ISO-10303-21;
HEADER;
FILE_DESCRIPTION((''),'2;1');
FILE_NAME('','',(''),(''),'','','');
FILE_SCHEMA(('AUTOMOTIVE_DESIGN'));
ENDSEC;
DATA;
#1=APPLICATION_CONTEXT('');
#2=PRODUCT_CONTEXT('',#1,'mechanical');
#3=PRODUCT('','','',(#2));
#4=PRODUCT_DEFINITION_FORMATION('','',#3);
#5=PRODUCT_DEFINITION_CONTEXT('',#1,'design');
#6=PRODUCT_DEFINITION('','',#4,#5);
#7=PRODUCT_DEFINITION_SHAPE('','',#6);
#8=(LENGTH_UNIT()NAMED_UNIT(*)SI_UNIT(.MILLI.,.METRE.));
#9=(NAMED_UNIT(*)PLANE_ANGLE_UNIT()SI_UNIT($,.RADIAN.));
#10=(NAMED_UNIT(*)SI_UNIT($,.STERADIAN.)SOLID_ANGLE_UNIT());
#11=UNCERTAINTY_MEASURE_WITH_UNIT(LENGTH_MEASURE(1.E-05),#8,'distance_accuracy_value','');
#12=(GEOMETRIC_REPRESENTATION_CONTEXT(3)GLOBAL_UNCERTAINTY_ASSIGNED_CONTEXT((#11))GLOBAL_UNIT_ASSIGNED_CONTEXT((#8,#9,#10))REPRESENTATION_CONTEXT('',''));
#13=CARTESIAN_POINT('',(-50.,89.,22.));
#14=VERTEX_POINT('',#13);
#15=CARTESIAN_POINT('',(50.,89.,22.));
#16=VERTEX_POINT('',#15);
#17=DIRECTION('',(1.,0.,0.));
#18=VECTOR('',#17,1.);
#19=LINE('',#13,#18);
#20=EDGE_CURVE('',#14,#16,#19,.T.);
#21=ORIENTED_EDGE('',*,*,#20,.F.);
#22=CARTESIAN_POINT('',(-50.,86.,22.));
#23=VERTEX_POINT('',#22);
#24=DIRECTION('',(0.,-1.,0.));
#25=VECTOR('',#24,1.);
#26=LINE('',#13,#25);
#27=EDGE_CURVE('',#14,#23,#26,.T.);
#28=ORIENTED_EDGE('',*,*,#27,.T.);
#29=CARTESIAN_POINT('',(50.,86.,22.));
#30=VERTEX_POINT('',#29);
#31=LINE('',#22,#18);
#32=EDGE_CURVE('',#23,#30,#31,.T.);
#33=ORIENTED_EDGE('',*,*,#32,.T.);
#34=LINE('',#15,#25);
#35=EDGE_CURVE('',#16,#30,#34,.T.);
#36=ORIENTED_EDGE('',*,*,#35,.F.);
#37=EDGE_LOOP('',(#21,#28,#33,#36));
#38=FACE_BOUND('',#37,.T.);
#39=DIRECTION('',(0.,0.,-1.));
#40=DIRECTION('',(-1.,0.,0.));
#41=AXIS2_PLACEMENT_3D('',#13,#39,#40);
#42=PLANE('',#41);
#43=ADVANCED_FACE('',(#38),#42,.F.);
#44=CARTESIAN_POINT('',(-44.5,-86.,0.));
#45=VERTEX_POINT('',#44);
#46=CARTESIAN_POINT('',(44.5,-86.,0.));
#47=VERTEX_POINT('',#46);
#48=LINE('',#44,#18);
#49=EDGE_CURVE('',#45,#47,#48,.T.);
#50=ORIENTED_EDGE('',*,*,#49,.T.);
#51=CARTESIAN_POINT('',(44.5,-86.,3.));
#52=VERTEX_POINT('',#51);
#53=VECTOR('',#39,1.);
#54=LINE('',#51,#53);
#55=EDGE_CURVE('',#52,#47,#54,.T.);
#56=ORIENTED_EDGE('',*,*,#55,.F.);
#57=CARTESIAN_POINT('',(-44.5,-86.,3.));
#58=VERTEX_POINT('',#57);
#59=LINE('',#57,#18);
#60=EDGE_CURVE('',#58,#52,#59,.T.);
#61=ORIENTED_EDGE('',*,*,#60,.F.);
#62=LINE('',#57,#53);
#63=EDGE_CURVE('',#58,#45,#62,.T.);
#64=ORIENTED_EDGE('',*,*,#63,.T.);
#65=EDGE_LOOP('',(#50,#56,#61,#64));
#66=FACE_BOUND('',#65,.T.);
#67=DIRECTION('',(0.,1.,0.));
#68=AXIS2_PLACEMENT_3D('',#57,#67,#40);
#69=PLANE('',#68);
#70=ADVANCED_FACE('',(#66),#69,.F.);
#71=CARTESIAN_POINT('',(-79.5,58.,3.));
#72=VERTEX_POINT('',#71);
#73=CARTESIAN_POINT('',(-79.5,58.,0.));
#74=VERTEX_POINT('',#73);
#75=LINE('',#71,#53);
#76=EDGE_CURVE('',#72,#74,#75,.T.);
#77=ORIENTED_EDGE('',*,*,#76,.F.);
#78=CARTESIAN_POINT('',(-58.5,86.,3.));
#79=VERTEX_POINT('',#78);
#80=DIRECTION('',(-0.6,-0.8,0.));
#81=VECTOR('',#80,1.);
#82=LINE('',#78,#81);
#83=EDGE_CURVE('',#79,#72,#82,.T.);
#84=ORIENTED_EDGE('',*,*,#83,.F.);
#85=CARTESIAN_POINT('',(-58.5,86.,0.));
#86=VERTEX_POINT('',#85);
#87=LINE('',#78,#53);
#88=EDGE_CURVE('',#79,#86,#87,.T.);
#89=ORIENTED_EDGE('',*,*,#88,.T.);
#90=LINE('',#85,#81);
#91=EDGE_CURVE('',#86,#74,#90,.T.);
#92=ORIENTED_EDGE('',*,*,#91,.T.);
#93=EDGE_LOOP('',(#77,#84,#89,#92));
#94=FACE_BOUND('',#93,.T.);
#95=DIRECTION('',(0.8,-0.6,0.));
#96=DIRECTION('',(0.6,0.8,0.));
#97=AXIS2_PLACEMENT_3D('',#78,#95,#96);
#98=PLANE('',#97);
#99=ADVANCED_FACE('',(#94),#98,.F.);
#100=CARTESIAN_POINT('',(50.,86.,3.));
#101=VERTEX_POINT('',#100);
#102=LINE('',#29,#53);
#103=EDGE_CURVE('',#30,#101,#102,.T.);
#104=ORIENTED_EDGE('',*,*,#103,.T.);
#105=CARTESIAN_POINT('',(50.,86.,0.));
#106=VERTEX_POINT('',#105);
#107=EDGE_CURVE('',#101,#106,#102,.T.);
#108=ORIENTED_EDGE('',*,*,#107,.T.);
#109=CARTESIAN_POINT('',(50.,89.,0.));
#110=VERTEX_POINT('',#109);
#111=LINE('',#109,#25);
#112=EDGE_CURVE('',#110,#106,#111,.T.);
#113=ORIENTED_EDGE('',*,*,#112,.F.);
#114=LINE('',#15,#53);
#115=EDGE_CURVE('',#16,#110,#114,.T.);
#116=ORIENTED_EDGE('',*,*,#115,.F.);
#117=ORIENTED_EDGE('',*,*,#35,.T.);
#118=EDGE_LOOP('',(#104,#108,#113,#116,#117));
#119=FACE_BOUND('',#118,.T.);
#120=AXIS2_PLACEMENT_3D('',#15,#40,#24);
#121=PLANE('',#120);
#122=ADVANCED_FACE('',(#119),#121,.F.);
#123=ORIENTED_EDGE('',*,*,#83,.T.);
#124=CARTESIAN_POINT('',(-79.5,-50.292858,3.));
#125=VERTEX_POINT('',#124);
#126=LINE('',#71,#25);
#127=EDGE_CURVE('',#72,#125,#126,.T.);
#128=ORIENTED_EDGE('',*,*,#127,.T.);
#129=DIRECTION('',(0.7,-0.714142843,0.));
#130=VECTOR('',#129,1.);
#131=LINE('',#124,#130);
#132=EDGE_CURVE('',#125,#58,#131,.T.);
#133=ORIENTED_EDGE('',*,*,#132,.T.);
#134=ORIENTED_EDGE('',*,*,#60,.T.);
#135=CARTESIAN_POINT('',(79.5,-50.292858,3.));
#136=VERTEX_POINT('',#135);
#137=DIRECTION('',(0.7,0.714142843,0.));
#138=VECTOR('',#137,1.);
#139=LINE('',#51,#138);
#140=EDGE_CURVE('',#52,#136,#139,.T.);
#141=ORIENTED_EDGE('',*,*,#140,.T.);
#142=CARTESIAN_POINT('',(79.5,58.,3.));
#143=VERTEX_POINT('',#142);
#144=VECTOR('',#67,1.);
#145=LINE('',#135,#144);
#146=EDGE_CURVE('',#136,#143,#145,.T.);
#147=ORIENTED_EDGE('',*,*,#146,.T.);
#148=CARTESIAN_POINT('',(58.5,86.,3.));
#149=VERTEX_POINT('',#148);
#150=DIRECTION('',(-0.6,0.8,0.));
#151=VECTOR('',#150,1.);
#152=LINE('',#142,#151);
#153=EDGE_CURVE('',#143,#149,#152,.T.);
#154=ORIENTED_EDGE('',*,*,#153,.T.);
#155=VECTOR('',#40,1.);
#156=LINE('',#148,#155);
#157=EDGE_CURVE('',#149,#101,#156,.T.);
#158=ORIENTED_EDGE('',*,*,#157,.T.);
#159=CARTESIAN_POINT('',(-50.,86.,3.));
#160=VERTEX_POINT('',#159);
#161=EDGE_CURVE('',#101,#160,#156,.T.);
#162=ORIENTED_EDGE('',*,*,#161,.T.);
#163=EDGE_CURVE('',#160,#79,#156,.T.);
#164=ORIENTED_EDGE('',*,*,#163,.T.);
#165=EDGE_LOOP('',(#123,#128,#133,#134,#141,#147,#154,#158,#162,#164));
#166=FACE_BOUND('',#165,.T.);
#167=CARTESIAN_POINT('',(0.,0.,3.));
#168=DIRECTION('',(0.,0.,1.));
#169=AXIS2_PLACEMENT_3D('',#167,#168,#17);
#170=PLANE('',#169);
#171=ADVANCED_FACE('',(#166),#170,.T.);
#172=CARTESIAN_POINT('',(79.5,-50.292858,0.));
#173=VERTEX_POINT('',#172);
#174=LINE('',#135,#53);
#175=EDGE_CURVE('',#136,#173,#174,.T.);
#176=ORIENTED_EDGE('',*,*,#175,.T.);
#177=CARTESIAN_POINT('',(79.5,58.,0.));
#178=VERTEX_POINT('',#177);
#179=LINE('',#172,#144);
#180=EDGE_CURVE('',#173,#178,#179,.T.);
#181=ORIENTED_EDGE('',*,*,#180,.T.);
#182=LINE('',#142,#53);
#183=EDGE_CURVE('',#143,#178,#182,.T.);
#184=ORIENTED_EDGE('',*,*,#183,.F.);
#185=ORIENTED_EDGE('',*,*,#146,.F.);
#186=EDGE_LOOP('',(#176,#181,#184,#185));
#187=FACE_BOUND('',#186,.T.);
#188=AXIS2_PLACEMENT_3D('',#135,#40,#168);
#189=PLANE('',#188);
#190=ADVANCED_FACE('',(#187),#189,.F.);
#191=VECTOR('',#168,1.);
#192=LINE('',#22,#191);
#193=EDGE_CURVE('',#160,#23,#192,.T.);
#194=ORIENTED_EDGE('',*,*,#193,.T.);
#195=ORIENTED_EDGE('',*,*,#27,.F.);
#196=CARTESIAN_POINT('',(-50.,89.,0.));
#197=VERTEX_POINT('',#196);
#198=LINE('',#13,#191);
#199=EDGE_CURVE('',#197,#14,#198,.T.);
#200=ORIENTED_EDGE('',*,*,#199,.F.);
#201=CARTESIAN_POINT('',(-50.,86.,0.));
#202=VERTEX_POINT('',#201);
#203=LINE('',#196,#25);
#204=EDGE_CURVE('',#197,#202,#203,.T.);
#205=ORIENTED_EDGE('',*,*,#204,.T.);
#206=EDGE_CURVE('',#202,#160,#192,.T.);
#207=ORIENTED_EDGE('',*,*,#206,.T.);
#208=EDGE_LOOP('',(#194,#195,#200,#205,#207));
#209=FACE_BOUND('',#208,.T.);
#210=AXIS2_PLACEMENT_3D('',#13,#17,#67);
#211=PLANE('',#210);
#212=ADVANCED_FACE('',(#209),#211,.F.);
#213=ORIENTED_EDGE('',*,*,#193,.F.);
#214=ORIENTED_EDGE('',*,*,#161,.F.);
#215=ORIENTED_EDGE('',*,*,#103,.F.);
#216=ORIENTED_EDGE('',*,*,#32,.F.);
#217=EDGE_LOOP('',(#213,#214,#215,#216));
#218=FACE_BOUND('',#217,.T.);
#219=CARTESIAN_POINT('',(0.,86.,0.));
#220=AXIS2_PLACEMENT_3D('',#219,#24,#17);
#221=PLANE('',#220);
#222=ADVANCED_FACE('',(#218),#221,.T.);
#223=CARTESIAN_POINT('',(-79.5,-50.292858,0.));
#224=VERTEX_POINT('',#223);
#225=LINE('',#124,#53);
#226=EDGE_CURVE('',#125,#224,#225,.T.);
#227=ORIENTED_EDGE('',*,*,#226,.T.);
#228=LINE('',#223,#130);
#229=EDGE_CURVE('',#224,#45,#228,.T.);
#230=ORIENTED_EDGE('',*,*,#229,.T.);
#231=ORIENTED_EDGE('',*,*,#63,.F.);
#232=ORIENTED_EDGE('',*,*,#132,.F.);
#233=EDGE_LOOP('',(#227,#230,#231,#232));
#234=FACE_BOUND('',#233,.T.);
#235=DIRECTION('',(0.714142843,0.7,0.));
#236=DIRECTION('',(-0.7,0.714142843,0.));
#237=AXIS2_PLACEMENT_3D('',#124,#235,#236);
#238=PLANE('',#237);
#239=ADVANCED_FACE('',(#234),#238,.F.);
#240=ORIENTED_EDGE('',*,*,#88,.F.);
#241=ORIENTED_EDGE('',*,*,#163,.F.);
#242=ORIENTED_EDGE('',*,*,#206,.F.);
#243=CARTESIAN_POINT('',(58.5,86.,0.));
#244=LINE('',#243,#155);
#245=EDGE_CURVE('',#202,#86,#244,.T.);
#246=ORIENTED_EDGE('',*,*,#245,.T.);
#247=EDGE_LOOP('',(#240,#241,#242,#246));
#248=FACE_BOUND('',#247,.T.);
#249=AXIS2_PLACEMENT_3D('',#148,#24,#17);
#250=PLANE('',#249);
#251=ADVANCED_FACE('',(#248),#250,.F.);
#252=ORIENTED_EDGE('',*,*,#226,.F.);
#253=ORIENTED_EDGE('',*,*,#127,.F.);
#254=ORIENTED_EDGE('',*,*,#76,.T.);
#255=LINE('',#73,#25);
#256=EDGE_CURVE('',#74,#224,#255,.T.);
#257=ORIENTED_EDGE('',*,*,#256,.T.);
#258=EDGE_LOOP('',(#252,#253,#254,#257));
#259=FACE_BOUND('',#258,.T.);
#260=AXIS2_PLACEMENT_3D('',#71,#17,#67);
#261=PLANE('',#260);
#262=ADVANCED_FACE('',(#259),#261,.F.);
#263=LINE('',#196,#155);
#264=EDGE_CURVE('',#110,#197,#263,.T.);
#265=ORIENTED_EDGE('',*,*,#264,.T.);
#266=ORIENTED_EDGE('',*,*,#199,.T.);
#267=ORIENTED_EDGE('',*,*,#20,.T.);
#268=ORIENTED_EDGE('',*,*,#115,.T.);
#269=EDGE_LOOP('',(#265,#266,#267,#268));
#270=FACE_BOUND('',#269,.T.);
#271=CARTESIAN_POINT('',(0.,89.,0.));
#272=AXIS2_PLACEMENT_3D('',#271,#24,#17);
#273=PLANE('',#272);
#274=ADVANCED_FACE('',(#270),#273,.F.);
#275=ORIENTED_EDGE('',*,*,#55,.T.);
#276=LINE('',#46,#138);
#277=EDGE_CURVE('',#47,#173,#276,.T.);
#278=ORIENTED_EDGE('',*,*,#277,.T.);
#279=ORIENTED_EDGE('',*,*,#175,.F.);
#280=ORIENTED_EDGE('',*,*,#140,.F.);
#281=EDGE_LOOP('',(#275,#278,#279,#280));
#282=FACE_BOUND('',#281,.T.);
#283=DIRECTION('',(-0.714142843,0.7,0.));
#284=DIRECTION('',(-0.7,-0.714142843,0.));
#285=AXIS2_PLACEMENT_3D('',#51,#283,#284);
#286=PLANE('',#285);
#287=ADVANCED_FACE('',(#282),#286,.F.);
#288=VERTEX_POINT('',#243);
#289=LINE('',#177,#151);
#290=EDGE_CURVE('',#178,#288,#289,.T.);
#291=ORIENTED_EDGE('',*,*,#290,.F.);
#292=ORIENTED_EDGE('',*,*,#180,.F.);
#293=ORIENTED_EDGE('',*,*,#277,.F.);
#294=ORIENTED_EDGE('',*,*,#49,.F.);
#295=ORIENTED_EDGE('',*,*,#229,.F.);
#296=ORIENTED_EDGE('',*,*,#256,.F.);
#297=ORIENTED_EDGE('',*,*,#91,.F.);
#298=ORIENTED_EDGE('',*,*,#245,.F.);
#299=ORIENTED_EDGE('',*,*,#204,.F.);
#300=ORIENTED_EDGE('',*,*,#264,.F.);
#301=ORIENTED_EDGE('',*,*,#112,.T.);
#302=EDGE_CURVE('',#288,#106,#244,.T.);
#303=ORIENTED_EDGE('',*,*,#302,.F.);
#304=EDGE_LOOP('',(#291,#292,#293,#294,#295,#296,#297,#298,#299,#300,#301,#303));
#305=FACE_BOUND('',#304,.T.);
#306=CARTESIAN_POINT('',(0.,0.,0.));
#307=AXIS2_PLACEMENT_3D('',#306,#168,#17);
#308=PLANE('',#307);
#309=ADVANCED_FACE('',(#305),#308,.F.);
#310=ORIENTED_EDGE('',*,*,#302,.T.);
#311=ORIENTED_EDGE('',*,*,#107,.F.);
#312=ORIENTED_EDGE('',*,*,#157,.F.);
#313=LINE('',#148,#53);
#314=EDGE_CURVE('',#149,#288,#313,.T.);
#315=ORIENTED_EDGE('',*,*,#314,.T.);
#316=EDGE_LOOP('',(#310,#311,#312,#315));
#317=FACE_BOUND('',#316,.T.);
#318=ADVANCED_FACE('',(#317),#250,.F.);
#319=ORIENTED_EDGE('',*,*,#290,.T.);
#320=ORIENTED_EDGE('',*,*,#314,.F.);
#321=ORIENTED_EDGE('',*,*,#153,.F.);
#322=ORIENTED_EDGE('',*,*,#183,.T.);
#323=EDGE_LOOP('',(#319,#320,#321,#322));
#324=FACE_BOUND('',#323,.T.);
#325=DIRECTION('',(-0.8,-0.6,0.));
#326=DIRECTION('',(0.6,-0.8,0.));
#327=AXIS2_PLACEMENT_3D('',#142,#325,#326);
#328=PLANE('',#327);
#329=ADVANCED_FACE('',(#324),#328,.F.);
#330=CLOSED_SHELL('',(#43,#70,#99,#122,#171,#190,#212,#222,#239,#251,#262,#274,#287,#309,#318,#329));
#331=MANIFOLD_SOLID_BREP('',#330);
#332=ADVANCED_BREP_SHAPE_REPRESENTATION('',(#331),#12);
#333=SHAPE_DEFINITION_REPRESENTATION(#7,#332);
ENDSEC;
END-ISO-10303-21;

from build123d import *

# Parameters (mm, degrees)
BOSS_EXTRUDE1_DEPTH = 3
SKETCH3_W           = 100
SKETCH3_H           = 22
BOSS_EXTRUDE2_DEPTH = 3


with BuildPart() as part:
    # Sketch1 → Boss-Extrude1 (new body)
    with BuildSketch(Plane.XY):
        Polygon((-79.5, 58), (-79.5, -50.292857857), (-44.5, -86), (44.5, -86), (79.5, -50.292857857), (79.5, 58), (58.5, 86), (-58.5, 86), align=None)
    extrude(amount=BOSS_EXTRUDE1_DEPTH)

    # Sketch3 → Boss-Extrude2 (add)
    with BuildSketch(Plane(origin=(0, 86, 0), x_dir=(1, 0, 0), z_dir=(0, 1, 0))):
        with Locations((0, -11)):
            Rectangle(SKETCH3_W, SKETCH3_H)
    extrude(amount=BOSS_EXTRUDE2_DEPTH)


solid = part.part
